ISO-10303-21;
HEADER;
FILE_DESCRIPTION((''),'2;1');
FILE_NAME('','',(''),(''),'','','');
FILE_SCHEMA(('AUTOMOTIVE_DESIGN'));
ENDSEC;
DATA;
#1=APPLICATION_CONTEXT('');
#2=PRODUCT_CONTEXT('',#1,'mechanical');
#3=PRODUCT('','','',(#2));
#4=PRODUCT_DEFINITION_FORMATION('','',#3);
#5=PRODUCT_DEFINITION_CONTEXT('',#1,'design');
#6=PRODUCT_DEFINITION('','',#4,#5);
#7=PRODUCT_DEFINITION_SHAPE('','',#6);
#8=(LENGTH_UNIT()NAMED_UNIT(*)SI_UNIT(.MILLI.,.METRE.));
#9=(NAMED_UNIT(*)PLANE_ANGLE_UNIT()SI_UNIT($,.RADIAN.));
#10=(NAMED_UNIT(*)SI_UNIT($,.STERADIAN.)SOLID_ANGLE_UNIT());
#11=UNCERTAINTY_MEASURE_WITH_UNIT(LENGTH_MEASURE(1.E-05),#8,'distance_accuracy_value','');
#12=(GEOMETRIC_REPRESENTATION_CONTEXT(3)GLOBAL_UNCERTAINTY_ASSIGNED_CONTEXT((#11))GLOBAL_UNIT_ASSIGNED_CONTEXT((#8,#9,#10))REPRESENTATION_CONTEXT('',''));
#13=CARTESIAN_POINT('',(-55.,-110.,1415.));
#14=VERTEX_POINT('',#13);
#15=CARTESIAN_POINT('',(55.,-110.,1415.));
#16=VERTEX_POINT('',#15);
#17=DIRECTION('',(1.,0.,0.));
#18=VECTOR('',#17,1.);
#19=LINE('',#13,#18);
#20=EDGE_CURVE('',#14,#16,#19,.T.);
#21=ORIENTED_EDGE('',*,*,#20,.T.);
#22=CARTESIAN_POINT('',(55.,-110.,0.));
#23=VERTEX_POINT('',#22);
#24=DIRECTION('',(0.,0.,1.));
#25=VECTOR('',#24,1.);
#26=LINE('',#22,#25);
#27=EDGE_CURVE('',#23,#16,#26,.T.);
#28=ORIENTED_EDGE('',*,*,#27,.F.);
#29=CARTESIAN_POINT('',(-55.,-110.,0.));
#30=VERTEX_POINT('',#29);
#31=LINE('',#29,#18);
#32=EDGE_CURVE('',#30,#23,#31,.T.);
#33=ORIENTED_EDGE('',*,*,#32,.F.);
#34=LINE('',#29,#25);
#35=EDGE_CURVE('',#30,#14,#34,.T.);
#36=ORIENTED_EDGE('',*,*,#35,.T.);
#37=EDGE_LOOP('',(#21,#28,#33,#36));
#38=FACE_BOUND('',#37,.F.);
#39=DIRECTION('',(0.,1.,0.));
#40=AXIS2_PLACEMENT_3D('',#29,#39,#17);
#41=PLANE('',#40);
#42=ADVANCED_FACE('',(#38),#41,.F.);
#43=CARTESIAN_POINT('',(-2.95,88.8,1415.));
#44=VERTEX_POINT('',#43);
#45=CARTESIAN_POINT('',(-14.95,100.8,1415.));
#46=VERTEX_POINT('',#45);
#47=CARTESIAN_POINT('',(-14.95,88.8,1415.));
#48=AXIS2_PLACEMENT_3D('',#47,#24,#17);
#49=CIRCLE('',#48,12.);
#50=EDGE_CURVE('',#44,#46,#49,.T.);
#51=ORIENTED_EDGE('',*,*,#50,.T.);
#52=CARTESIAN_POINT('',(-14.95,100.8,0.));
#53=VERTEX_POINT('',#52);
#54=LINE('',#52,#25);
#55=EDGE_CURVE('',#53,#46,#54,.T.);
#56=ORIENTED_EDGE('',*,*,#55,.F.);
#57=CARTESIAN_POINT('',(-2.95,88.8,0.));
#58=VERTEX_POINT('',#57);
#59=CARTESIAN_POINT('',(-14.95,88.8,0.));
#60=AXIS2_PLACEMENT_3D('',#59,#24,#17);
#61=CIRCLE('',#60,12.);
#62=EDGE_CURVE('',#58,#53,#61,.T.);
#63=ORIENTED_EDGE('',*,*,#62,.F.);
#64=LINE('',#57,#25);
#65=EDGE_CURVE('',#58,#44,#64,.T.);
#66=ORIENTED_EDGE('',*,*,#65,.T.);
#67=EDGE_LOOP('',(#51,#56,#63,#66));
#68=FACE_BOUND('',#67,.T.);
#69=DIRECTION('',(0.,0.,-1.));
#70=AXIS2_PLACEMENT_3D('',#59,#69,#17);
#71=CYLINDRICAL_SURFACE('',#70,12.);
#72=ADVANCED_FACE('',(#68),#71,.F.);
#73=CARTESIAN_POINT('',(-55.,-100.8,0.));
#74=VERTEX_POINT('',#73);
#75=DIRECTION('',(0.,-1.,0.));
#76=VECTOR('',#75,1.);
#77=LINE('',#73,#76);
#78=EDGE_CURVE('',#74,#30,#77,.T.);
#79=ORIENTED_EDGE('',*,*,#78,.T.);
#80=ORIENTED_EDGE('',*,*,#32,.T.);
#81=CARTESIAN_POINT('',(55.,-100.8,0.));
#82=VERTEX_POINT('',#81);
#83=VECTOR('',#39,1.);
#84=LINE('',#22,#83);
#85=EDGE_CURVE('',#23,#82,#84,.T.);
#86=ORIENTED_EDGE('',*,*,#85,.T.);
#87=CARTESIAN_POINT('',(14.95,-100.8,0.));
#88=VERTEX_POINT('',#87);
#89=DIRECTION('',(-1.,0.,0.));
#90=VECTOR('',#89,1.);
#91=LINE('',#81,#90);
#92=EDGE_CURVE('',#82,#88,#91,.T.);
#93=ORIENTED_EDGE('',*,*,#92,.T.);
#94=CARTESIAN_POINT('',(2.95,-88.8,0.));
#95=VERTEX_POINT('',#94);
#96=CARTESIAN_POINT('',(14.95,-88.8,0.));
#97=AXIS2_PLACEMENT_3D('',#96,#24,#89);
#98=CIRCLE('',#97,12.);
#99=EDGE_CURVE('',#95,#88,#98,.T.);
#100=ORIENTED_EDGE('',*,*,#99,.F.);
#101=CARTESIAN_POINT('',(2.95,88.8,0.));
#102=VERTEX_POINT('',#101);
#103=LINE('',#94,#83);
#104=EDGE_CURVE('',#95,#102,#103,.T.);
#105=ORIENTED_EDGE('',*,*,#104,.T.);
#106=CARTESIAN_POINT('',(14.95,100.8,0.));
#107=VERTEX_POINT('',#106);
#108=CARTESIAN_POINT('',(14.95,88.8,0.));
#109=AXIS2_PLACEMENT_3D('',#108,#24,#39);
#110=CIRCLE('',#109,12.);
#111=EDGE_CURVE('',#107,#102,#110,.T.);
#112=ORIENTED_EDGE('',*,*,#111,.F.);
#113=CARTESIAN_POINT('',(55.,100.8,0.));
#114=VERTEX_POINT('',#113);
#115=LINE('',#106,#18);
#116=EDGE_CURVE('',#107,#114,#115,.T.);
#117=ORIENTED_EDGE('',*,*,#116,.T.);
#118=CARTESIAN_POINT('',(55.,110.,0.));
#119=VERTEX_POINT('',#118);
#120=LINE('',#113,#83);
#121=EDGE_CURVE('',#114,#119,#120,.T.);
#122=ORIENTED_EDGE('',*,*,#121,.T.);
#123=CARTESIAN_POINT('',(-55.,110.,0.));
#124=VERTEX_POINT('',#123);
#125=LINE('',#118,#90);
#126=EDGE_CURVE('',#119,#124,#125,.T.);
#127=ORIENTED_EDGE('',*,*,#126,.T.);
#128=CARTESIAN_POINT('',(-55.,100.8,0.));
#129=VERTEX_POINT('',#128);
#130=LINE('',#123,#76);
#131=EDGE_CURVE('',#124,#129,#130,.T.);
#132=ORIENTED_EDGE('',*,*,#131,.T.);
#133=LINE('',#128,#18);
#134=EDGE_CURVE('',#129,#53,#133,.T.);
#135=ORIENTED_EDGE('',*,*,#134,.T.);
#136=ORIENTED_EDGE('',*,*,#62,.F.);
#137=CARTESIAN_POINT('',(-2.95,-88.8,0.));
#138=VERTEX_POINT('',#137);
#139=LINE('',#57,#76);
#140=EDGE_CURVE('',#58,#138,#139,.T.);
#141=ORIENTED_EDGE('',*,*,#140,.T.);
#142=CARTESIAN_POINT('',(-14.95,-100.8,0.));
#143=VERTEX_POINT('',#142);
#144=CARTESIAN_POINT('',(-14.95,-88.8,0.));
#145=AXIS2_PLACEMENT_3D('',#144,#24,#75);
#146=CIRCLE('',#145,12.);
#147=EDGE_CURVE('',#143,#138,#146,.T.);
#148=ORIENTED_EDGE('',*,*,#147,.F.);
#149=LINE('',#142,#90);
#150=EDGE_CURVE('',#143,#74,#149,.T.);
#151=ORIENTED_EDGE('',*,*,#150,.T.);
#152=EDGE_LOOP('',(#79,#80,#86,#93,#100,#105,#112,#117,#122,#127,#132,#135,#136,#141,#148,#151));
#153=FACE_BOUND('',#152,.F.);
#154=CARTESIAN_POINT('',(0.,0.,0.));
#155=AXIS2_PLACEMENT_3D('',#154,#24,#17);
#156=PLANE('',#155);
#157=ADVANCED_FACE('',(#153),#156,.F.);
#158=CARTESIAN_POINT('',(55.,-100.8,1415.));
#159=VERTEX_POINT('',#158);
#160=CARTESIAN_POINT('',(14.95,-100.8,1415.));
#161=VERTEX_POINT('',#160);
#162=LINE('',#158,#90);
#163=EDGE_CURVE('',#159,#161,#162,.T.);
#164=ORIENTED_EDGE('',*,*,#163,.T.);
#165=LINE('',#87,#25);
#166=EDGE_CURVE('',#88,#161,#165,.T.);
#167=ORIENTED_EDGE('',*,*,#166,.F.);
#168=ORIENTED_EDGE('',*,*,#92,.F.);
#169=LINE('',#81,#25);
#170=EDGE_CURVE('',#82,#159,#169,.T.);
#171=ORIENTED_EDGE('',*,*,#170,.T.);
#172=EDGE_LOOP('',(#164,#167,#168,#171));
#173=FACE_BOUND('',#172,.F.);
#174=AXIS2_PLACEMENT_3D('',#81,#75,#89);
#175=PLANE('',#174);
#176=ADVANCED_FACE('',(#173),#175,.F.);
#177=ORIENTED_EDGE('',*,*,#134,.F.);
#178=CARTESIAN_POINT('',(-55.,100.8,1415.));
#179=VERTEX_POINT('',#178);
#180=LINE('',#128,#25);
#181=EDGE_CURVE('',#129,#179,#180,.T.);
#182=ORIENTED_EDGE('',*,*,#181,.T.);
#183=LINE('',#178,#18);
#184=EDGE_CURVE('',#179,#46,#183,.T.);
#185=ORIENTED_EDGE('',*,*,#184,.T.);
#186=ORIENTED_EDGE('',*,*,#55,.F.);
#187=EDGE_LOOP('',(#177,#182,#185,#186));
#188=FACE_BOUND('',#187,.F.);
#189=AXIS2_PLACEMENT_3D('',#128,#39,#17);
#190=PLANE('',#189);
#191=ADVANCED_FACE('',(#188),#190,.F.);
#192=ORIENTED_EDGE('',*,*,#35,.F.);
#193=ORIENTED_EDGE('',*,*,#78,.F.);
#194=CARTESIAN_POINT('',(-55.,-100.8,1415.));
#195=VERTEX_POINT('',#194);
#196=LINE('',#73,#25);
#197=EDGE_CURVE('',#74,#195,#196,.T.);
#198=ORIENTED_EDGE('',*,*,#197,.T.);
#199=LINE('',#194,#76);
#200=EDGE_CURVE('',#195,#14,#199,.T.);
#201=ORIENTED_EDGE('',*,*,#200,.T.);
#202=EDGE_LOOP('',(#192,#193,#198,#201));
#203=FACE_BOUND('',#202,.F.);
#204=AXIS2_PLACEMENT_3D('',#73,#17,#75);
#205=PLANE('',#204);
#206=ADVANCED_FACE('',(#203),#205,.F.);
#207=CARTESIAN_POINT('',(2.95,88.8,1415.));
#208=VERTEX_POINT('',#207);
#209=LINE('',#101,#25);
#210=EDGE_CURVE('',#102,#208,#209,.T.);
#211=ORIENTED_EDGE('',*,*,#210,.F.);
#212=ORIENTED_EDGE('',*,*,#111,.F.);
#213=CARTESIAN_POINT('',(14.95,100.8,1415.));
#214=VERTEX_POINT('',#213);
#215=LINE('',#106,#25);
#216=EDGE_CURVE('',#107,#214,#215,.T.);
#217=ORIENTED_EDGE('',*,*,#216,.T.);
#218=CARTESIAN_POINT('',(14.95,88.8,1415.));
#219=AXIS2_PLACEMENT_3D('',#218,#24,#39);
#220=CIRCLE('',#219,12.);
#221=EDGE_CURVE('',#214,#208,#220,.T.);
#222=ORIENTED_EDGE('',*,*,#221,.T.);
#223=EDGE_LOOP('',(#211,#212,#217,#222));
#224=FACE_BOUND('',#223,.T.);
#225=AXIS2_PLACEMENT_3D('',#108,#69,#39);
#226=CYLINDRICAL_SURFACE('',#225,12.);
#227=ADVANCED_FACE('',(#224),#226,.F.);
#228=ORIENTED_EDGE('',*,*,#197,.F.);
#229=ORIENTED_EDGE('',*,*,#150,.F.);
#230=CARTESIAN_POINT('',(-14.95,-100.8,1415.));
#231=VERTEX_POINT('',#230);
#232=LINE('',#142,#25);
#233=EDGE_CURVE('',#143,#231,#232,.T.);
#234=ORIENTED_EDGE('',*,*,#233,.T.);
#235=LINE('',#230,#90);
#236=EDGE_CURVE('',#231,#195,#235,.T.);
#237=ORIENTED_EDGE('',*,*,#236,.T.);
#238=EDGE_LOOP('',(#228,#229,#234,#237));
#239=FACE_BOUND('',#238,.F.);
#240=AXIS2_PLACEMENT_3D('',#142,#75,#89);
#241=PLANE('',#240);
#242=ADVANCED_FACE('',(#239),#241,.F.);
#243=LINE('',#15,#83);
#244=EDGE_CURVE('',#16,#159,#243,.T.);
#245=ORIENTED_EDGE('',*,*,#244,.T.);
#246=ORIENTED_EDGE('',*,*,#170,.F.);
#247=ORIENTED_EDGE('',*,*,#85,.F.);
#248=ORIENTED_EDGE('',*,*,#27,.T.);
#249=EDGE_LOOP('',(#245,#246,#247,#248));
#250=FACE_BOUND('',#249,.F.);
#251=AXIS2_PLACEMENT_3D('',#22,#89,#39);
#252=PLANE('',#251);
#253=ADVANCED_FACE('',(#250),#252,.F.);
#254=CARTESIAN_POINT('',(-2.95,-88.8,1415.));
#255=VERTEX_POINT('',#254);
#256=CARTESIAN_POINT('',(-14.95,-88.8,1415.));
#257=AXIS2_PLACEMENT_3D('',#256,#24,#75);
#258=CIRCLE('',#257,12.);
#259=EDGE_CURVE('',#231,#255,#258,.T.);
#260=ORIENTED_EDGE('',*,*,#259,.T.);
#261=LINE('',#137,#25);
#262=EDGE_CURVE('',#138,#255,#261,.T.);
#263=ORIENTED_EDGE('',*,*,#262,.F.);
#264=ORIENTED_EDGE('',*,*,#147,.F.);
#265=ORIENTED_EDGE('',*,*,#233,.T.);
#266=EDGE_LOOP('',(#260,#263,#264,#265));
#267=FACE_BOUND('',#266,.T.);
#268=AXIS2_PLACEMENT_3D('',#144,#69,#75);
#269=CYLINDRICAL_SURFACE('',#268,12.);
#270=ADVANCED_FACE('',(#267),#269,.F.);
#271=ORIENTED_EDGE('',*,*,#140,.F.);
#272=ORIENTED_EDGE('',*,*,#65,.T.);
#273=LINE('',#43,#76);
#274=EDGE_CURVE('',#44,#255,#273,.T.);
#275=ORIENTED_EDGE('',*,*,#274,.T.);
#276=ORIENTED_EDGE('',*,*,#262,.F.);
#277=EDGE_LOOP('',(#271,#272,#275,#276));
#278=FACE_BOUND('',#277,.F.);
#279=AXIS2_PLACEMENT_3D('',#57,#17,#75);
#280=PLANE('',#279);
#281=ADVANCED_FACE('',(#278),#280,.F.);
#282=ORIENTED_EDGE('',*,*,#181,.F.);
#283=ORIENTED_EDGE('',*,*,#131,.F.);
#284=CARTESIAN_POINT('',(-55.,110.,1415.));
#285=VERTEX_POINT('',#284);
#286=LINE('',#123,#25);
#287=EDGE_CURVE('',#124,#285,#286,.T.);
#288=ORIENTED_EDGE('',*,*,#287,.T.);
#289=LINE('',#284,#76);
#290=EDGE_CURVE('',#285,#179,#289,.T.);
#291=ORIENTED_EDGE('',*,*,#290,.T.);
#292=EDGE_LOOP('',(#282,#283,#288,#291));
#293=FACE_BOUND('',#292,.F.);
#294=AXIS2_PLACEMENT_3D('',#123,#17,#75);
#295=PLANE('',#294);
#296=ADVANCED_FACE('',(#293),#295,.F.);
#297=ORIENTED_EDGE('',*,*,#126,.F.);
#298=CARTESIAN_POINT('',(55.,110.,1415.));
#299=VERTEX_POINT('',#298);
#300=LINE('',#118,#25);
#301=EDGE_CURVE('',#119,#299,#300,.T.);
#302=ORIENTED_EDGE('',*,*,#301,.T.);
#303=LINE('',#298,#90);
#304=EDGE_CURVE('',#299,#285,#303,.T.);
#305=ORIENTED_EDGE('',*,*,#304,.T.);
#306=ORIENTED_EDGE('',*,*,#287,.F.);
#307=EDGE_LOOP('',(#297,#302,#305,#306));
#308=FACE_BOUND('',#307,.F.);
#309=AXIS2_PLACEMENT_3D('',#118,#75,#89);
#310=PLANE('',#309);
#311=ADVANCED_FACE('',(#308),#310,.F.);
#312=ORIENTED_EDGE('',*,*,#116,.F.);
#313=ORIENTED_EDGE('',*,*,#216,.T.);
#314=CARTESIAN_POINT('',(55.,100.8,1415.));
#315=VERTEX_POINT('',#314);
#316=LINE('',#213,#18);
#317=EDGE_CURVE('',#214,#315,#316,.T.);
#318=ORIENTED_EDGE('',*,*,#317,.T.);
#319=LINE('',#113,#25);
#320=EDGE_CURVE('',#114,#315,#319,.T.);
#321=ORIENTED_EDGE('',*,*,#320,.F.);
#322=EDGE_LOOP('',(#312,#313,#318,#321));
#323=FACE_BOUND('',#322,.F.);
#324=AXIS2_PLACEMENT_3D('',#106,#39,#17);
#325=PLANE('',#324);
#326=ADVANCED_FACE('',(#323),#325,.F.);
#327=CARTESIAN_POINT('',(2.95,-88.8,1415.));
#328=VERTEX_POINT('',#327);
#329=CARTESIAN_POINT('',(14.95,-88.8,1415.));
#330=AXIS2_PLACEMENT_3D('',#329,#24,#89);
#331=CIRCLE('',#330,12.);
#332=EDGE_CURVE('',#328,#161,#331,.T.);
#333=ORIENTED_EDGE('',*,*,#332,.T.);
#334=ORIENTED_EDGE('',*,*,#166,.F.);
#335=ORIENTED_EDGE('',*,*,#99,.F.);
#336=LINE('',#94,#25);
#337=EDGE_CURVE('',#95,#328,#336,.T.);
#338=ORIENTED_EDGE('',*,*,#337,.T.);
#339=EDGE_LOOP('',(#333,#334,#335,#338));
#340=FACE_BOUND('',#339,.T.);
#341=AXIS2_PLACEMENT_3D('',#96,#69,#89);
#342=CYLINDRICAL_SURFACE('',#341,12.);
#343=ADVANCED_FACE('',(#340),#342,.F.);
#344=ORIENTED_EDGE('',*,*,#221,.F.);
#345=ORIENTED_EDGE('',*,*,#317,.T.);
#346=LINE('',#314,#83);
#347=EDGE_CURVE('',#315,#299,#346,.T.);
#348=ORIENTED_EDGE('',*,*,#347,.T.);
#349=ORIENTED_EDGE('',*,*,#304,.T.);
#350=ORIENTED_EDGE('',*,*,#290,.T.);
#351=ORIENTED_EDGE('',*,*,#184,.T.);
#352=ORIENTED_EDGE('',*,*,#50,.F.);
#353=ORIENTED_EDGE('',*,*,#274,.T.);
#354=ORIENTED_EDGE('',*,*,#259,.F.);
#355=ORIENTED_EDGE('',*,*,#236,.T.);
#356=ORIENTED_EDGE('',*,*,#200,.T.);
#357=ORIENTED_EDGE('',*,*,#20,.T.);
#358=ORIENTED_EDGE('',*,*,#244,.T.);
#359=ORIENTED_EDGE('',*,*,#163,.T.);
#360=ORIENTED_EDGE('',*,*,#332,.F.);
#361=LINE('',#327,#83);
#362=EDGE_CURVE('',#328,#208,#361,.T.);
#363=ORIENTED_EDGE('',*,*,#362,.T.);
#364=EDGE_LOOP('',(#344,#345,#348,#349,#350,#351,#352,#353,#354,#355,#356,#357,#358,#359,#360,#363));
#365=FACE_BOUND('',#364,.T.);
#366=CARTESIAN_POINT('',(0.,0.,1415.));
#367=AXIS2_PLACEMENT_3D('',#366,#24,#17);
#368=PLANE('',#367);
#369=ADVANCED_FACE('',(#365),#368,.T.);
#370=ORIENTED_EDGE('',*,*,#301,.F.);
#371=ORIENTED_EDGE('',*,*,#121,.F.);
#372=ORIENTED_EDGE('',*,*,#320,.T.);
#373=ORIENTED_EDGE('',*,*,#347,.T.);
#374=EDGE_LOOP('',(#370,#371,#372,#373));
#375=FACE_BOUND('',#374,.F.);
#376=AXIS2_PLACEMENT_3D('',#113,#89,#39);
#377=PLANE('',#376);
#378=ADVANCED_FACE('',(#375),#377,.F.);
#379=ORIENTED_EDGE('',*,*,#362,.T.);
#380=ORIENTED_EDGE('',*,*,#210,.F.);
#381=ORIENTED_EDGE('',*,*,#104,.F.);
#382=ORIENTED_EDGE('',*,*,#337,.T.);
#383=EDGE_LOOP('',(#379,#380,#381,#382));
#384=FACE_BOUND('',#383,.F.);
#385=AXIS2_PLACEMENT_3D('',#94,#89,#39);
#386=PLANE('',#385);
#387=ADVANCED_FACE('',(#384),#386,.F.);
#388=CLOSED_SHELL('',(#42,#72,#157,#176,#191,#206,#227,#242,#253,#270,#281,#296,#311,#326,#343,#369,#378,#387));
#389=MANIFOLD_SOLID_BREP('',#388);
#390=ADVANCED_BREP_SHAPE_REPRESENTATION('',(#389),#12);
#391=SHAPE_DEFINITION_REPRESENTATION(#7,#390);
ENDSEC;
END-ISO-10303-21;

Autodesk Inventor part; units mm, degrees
ref_plane "Start plane" through (0, 0, 0) normal (0, 0, 1) x (1, 0, 0)
ref_plane "End plane" through (0, 0, 1415) normal (0, 0, 1) x (1, 0, 0)
sketch "Sketch2" plane through (0, 0, 0) normal (0, 0, 1) x (1, 0, 0)
  line L0 (-55, 100.8) -> (-14.95, 100.8)
  line L1 (-55, 110) -> (-55, 100.8)
  line L2 (55, 110) -> (-55, 110)
  line L3 (55, 100.8) -> (55, 110)
  line L4 (14.95, 100.8) -> (55, 100.8)
  line L5 (2.95, -88.8) -> (2.95, 88.8)
  line L6 (55, -100.8) -> (14.95, -100.8)
  line L7 (55, -110) -> (55, -100.8)
  line L8 (-55, -100.8) -> (-55, -110)
  line L9 (-14.95, -100.8) -> (-55, -100.8)
  line L10 (-2.95, 88.8) -> (-2.95, -88.8)
  line L11 (0, -154) -> (0, 154) construction
  line L12 (-2.95, -100.8) -> (2.95, -100.8) construction
  arc A0 (-14.95, -100.8) -> (-2.95, -88.8) centre (-14.95, -88.8) ccw
  arc A1 (-2.95, 88.8) -> (-14.95, 100.8) centre (-14.95, 88.8) ccw
  arc A2 (14.95, 100.8) -> (2.95, 88.8) centre (14.95, 88.8) ccw
  arc A3 (2.95, -88.8) -> (14.95, -100.8) centre (14.95, -88.8) ccw
  line L13 (-77, 0) -> (77, 0) construction
  line L14 (-55, -110) -> (55, -110)
  point P0 (-2.95, 100.8)
  point P1 (2.95, 100.8)
  point P2 (0, 0)
  point P3 (0, -100.8)
  point P4 (0, 0)
  dimension "d1" = 220
  dimension "d3" = 9.2
  dimension "d5" = 5.9
  dimension "d7" = 110
  dimension "d13" = 12
  dimension "d14" = 110
  dimension "d15" = 55
extrude "Body" add sketch "Sketch2" along normal up to surface (1415 mm away) from surface at 0
sketch "Sketch3" plane through (0, 0, 0) normal (0, 0, 1) x (1, 0, 0)
  line L0 (0, 0) -> (10, 0)
ref_plane "Work Plane3" through (0, 0, 0) normal (0, -1, 0) x (1, 0, 0)
ref_plane "Work Plane4" through (0, -4000, 1415) normal (0, 0, 1) x (1, 0, 0)
split "Split1" plane through (0, -4000, 1415) removes the side toward (0, 0, 1)
sketch "Sketch4" plane through (0, 0, 0) normal (0, -1, 0) x (1, 0, 0)
  line L0 (-2, 0) -> (12, 0) projected
  line L1 (-2, 1415) -> (12, 1415) projected
  dimension "d19" = 1415
equation "\"d1\" = ParH"
equation "\"d3\" = t2"
equation "\"d5\" = t1"
equation "\"d7\" = b"
equation "\"d13\" = R1"
equation "\"d14\" = 0.5 * d1"
equation "\"d15\" = 0.5 * d7"
equation "\"d8\" = G_L"
equation "\"b\" = 110"
equation "\"ParH\" = 220"
equation "\"R1\" = 12"
equation "\"G_L\" = d19"
equation "\"t1\" = 5.9"
equation "\"t2\" = 9.2"
equation "\"G_OFFSET_START\" = 0"
equation "\"G_OFFSET_END\" = -85"
equation "\"d17\" = G_OFFSET_END + B_L"
equation "\"B_L\" = 1500"
properties part number "DIN 1025 - IPE 220-1415" material "Steel, Mild"
